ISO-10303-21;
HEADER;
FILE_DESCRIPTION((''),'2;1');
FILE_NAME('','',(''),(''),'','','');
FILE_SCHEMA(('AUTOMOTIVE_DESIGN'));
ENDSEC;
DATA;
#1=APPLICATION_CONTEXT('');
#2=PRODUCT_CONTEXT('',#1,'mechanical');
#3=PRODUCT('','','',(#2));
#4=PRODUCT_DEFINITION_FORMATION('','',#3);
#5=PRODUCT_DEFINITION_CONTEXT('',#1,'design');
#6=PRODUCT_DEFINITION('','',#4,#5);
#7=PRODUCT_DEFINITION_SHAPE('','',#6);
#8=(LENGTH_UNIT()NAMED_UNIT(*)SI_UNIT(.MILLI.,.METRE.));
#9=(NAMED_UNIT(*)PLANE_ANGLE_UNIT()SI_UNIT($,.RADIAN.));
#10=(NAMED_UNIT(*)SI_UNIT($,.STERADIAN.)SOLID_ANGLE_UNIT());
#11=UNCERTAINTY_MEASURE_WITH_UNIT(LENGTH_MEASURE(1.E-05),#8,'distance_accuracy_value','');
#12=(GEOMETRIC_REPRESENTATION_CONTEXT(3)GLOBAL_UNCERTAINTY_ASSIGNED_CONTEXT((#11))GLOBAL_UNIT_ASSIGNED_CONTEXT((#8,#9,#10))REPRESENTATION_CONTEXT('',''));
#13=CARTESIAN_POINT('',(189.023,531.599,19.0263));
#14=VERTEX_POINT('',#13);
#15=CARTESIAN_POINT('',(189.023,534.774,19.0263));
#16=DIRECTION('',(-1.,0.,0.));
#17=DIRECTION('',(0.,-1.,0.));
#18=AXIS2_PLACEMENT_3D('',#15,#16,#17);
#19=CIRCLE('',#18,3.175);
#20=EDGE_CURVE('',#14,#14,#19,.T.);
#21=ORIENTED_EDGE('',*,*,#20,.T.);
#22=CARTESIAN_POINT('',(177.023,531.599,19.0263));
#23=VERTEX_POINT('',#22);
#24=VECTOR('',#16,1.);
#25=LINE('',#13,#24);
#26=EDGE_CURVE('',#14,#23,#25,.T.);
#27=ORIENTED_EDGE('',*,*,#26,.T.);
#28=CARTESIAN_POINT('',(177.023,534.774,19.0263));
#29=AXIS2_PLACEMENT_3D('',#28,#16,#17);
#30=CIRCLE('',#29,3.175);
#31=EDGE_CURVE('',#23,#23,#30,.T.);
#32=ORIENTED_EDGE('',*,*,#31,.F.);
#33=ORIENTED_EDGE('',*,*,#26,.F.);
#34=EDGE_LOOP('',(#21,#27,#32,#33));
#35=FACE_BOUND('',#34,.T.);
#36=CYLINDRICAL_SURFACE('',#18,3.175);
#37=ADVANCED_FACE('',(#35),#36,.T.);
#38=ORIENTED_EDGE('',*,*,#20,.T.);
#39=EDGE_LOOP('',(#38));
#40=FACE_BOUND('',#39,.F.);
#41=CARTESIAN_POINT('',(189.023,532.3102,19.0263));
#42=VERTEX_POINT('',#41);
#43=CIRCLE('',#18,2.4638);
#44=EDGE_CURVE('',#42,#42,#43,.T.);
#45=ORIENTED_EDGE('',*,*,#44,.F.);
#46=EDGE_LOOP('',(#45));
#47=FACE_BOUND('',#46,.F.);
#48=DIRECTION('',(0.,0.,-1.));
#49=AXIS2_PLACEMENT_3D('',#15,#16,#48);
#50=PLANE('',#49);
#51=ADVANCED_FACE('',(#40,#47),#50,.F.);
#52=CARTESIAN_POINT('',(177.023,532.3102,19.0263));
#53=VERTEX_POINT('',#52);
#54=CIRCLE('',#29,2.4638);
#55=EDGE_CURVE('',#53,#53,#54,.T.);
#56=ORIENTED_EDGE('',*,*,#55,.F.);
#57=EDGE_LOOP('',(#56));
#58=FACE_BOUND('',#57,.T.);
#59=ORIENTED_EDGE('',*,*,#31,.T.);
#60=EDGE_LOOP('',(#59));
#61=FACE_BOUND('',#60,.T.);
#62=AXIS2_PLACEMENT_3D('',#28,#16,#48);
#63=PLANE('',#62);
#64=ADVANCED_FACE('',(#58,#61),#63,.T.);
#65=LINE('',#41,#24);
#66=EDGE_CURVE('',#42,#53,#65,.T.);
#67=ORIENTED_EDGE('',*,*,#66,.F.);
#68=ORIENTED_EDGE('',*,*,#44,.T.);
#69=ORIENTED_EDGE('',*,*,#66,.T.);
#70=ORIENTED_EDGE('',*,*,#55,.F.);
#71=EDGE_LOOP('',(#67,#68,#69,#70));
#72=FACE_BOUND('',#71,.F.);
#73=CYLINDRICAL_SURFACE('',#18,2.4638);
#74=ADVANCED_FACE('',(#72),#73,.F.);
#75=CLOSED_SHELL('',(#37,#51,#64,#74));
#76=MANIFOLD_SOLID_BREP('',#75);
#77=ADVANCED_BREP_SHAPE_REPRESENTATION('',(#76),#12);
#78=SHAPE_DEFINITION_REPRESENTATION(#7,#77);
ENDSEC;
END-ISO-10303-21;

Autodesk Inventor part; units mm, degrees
ref_plane "YZ Plane" through (0, 0, 0) normal (1, 0, 0) x (0, 1, 0)
ref_plane "XZ Plane" through (0, 0, 0) normal (0, 1, 0) x (-1, 0, 0)
ref_plane "Work Plane3" through (189.023, 534.774, 19.0263) normal (-1, 0, 0) x (0, -1, 0)
sketch "Sketch3" plane through (189.023, 534.774, 19.0263) normal (-1, 0, 0) x (0, -1, 0)
  circle A0 centre (0, 0) radius 3.175
  circle A1 centre (0, 0) radius 2.4638
sketch3d "3D Sketch1"
  line L0 (189.023, 534.774, 19.0263) -> (177.023, 534.774, 19.0263)
sweep "Sweep1" add profiles "Sketch3" path "3D Sketch1"
equation "\"OD\" = 6.35"
equation "\"t\" = 0.7112"
equation "\"L\" = PL"
equation "\"ID\" = 4.9276"
equation "\"PL\" = 11.9888"
equation "\"D\" = 15.24"
equation "\"Size_Designation\" = 1.2345"
properties material "Stainless Steel"
